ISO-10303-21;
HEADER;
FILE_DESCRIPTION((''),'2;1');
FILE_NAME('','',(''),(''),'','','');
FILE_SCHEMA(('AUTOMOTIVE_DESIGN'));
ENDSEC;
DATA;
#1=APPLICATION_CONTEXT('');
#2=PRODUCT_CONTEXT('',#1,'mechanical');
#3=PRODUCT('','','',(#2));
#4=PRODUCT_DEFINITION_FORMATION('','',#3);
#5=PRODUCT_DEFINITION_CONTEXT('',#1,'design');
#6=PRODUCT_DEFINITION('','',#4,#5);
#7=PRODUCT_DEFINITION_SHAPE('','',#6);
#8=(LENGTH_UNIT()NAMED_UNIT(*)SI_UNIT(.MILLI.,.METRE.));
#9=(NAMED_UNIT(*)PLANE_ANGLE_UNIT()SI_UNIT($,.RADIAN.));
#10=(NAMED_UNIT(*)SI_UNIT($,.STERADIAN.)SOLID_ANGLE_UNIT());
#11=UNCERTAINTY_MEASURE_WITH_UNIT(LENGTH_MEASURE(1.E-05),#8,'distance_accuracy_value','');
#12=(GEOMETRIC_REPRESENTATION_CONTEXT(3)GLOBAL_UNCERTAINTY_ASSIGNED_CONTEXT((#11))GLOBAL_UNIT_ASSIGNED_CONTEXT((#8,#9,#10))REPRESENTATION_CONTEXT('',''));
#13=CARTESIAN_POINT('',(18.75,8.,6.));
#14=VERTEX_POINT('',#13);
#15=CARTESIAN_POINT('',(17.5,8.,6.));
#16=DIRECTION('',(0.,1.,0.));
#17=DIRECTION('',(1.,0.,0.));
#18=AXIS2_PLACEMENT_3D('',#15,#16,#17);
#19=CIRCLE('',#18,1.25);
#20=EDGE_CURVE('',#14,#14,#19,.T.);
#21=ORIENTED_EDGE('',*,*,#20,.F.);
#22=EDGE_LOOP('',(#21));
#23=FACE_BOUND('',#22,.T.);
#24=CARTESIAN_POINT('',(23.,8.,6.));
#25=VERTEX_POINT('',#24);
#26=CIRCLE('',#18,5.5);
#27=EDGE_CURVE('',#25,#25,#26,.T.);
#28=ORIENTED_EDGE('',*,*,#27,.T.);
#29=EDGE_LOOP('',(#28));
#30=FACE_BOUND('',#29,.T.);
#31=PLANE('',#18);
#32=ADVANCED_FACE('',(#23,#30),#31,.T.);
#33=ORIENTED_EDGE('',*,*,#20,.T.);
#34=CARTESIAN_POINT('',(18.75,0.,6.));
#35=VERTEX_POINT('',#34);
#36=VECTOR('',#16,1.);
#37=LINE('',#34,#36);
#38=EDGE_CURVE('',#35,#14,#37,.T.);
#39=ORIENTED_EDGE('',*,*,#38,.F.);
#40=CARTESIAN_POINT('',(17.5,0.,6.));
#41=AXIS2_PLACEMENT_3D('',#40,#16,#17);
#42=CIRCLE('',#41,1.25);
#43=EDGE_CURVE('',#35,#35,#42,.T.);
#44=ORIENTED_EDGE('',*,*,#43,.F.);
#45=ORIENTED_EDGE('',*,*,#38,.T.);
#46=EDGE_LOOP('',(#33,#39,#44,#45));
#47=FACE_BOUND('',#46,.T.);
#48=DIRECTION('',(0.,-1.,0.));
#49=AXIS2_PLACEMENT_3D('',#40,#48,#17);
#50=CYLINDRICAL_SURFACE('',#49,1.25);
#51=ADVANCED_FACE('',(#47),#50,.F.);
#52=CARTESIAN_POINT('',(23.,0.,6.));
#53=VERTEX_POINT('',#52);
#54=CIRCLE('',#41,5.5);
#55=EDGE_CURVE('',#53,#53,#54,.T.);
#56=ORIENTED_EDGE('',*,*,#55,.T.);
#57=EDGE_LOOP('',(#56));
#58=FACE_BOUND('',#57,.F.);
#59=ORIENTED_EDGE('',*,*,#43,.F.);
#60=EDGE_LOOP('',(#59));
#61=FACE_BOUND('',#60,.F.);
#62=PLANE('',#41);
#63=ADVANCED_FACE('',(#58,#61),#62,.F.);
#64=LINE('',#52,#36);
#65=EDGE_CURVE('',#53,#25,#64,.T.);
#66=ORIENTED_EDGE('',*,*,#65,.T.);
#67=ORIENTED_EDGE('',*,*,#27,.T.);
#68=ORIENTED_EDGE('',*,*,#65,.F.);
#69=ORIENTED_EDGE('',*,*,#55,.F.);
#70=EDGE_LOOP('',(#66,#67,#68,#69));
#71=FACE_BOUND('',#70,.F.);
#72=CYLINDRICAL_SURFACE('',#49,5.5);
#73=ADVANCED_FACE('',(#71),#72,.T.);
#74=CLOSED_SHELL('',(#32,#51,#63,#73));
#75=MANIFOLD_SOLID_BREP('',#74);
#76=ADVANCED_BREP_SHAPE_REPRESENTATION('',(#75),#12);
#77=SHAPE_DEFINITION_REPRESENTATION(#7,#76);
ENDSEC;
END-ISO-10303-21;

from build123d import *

# Parameters (mm, degrees)
CYLINDER003_R          = 1.25
CYLINDER003_DEPTH      = 8
CYLINDER003_ROLL_ANGLE = -90
CYLINDER002_R          = 5.5
CYLINDER002_DEPTH      = 8
CYLINDER002_ROLL_ANGLE = -90


with BuildPart() as m3_tap_hole:
    # Cylinder003 → Cylinder003 (new body)
    with BuildSketch(Plane.XY):
        Circle(CYLINDER003_R)
    extrude(amount=CYLINDER003_DEPTH)


with BuildPart() as m3_tap_hole_1:
    # Cylinder003 roll: moved
    add(m3_tap_hole.part.rotate(Axis((0, 0, 0), (1, 0, 0)), CYLINDER003_ROLL_ANGLE))


with BuildPart() as m3_tap_hole_2:
    # Cylinder003 placement: moved
    add(m3_tap_hole_1.part.moved(Location((17.5, 0, 6))))


with BuildPart() as m3_support_and_tap_hole:
    # Cylinder002 → Cylinder002 (new body)
    with BuildSketch(Plane.XY):
        Circle(CYLINDER002_R)
    extrude(amount=CYLINDER002_DEPTH)


with BuildPart() as m3_support_and_tap_hole_1:
    # Cylinder002 roll: moved
    add(m3_support_and_tap_hole.part.rotate(Axis((0, 0, 0), (1, 0, 0)), CYLINDER002_ROLL_ANGLE))


with BuildPart() as m3_support_and_tap_hole_2:
    # Cylinder002 placement: moved
    add(m3_support_and_tap_hole_1.part.moved(Location((17.5, 0, 6))))

    # Cut001: cut M3_tap_hole
    add(m3_tap_hole_2.part, mode=Mode.SUBTRACT)


solid = m3_support_and_tap_hole_2.part
